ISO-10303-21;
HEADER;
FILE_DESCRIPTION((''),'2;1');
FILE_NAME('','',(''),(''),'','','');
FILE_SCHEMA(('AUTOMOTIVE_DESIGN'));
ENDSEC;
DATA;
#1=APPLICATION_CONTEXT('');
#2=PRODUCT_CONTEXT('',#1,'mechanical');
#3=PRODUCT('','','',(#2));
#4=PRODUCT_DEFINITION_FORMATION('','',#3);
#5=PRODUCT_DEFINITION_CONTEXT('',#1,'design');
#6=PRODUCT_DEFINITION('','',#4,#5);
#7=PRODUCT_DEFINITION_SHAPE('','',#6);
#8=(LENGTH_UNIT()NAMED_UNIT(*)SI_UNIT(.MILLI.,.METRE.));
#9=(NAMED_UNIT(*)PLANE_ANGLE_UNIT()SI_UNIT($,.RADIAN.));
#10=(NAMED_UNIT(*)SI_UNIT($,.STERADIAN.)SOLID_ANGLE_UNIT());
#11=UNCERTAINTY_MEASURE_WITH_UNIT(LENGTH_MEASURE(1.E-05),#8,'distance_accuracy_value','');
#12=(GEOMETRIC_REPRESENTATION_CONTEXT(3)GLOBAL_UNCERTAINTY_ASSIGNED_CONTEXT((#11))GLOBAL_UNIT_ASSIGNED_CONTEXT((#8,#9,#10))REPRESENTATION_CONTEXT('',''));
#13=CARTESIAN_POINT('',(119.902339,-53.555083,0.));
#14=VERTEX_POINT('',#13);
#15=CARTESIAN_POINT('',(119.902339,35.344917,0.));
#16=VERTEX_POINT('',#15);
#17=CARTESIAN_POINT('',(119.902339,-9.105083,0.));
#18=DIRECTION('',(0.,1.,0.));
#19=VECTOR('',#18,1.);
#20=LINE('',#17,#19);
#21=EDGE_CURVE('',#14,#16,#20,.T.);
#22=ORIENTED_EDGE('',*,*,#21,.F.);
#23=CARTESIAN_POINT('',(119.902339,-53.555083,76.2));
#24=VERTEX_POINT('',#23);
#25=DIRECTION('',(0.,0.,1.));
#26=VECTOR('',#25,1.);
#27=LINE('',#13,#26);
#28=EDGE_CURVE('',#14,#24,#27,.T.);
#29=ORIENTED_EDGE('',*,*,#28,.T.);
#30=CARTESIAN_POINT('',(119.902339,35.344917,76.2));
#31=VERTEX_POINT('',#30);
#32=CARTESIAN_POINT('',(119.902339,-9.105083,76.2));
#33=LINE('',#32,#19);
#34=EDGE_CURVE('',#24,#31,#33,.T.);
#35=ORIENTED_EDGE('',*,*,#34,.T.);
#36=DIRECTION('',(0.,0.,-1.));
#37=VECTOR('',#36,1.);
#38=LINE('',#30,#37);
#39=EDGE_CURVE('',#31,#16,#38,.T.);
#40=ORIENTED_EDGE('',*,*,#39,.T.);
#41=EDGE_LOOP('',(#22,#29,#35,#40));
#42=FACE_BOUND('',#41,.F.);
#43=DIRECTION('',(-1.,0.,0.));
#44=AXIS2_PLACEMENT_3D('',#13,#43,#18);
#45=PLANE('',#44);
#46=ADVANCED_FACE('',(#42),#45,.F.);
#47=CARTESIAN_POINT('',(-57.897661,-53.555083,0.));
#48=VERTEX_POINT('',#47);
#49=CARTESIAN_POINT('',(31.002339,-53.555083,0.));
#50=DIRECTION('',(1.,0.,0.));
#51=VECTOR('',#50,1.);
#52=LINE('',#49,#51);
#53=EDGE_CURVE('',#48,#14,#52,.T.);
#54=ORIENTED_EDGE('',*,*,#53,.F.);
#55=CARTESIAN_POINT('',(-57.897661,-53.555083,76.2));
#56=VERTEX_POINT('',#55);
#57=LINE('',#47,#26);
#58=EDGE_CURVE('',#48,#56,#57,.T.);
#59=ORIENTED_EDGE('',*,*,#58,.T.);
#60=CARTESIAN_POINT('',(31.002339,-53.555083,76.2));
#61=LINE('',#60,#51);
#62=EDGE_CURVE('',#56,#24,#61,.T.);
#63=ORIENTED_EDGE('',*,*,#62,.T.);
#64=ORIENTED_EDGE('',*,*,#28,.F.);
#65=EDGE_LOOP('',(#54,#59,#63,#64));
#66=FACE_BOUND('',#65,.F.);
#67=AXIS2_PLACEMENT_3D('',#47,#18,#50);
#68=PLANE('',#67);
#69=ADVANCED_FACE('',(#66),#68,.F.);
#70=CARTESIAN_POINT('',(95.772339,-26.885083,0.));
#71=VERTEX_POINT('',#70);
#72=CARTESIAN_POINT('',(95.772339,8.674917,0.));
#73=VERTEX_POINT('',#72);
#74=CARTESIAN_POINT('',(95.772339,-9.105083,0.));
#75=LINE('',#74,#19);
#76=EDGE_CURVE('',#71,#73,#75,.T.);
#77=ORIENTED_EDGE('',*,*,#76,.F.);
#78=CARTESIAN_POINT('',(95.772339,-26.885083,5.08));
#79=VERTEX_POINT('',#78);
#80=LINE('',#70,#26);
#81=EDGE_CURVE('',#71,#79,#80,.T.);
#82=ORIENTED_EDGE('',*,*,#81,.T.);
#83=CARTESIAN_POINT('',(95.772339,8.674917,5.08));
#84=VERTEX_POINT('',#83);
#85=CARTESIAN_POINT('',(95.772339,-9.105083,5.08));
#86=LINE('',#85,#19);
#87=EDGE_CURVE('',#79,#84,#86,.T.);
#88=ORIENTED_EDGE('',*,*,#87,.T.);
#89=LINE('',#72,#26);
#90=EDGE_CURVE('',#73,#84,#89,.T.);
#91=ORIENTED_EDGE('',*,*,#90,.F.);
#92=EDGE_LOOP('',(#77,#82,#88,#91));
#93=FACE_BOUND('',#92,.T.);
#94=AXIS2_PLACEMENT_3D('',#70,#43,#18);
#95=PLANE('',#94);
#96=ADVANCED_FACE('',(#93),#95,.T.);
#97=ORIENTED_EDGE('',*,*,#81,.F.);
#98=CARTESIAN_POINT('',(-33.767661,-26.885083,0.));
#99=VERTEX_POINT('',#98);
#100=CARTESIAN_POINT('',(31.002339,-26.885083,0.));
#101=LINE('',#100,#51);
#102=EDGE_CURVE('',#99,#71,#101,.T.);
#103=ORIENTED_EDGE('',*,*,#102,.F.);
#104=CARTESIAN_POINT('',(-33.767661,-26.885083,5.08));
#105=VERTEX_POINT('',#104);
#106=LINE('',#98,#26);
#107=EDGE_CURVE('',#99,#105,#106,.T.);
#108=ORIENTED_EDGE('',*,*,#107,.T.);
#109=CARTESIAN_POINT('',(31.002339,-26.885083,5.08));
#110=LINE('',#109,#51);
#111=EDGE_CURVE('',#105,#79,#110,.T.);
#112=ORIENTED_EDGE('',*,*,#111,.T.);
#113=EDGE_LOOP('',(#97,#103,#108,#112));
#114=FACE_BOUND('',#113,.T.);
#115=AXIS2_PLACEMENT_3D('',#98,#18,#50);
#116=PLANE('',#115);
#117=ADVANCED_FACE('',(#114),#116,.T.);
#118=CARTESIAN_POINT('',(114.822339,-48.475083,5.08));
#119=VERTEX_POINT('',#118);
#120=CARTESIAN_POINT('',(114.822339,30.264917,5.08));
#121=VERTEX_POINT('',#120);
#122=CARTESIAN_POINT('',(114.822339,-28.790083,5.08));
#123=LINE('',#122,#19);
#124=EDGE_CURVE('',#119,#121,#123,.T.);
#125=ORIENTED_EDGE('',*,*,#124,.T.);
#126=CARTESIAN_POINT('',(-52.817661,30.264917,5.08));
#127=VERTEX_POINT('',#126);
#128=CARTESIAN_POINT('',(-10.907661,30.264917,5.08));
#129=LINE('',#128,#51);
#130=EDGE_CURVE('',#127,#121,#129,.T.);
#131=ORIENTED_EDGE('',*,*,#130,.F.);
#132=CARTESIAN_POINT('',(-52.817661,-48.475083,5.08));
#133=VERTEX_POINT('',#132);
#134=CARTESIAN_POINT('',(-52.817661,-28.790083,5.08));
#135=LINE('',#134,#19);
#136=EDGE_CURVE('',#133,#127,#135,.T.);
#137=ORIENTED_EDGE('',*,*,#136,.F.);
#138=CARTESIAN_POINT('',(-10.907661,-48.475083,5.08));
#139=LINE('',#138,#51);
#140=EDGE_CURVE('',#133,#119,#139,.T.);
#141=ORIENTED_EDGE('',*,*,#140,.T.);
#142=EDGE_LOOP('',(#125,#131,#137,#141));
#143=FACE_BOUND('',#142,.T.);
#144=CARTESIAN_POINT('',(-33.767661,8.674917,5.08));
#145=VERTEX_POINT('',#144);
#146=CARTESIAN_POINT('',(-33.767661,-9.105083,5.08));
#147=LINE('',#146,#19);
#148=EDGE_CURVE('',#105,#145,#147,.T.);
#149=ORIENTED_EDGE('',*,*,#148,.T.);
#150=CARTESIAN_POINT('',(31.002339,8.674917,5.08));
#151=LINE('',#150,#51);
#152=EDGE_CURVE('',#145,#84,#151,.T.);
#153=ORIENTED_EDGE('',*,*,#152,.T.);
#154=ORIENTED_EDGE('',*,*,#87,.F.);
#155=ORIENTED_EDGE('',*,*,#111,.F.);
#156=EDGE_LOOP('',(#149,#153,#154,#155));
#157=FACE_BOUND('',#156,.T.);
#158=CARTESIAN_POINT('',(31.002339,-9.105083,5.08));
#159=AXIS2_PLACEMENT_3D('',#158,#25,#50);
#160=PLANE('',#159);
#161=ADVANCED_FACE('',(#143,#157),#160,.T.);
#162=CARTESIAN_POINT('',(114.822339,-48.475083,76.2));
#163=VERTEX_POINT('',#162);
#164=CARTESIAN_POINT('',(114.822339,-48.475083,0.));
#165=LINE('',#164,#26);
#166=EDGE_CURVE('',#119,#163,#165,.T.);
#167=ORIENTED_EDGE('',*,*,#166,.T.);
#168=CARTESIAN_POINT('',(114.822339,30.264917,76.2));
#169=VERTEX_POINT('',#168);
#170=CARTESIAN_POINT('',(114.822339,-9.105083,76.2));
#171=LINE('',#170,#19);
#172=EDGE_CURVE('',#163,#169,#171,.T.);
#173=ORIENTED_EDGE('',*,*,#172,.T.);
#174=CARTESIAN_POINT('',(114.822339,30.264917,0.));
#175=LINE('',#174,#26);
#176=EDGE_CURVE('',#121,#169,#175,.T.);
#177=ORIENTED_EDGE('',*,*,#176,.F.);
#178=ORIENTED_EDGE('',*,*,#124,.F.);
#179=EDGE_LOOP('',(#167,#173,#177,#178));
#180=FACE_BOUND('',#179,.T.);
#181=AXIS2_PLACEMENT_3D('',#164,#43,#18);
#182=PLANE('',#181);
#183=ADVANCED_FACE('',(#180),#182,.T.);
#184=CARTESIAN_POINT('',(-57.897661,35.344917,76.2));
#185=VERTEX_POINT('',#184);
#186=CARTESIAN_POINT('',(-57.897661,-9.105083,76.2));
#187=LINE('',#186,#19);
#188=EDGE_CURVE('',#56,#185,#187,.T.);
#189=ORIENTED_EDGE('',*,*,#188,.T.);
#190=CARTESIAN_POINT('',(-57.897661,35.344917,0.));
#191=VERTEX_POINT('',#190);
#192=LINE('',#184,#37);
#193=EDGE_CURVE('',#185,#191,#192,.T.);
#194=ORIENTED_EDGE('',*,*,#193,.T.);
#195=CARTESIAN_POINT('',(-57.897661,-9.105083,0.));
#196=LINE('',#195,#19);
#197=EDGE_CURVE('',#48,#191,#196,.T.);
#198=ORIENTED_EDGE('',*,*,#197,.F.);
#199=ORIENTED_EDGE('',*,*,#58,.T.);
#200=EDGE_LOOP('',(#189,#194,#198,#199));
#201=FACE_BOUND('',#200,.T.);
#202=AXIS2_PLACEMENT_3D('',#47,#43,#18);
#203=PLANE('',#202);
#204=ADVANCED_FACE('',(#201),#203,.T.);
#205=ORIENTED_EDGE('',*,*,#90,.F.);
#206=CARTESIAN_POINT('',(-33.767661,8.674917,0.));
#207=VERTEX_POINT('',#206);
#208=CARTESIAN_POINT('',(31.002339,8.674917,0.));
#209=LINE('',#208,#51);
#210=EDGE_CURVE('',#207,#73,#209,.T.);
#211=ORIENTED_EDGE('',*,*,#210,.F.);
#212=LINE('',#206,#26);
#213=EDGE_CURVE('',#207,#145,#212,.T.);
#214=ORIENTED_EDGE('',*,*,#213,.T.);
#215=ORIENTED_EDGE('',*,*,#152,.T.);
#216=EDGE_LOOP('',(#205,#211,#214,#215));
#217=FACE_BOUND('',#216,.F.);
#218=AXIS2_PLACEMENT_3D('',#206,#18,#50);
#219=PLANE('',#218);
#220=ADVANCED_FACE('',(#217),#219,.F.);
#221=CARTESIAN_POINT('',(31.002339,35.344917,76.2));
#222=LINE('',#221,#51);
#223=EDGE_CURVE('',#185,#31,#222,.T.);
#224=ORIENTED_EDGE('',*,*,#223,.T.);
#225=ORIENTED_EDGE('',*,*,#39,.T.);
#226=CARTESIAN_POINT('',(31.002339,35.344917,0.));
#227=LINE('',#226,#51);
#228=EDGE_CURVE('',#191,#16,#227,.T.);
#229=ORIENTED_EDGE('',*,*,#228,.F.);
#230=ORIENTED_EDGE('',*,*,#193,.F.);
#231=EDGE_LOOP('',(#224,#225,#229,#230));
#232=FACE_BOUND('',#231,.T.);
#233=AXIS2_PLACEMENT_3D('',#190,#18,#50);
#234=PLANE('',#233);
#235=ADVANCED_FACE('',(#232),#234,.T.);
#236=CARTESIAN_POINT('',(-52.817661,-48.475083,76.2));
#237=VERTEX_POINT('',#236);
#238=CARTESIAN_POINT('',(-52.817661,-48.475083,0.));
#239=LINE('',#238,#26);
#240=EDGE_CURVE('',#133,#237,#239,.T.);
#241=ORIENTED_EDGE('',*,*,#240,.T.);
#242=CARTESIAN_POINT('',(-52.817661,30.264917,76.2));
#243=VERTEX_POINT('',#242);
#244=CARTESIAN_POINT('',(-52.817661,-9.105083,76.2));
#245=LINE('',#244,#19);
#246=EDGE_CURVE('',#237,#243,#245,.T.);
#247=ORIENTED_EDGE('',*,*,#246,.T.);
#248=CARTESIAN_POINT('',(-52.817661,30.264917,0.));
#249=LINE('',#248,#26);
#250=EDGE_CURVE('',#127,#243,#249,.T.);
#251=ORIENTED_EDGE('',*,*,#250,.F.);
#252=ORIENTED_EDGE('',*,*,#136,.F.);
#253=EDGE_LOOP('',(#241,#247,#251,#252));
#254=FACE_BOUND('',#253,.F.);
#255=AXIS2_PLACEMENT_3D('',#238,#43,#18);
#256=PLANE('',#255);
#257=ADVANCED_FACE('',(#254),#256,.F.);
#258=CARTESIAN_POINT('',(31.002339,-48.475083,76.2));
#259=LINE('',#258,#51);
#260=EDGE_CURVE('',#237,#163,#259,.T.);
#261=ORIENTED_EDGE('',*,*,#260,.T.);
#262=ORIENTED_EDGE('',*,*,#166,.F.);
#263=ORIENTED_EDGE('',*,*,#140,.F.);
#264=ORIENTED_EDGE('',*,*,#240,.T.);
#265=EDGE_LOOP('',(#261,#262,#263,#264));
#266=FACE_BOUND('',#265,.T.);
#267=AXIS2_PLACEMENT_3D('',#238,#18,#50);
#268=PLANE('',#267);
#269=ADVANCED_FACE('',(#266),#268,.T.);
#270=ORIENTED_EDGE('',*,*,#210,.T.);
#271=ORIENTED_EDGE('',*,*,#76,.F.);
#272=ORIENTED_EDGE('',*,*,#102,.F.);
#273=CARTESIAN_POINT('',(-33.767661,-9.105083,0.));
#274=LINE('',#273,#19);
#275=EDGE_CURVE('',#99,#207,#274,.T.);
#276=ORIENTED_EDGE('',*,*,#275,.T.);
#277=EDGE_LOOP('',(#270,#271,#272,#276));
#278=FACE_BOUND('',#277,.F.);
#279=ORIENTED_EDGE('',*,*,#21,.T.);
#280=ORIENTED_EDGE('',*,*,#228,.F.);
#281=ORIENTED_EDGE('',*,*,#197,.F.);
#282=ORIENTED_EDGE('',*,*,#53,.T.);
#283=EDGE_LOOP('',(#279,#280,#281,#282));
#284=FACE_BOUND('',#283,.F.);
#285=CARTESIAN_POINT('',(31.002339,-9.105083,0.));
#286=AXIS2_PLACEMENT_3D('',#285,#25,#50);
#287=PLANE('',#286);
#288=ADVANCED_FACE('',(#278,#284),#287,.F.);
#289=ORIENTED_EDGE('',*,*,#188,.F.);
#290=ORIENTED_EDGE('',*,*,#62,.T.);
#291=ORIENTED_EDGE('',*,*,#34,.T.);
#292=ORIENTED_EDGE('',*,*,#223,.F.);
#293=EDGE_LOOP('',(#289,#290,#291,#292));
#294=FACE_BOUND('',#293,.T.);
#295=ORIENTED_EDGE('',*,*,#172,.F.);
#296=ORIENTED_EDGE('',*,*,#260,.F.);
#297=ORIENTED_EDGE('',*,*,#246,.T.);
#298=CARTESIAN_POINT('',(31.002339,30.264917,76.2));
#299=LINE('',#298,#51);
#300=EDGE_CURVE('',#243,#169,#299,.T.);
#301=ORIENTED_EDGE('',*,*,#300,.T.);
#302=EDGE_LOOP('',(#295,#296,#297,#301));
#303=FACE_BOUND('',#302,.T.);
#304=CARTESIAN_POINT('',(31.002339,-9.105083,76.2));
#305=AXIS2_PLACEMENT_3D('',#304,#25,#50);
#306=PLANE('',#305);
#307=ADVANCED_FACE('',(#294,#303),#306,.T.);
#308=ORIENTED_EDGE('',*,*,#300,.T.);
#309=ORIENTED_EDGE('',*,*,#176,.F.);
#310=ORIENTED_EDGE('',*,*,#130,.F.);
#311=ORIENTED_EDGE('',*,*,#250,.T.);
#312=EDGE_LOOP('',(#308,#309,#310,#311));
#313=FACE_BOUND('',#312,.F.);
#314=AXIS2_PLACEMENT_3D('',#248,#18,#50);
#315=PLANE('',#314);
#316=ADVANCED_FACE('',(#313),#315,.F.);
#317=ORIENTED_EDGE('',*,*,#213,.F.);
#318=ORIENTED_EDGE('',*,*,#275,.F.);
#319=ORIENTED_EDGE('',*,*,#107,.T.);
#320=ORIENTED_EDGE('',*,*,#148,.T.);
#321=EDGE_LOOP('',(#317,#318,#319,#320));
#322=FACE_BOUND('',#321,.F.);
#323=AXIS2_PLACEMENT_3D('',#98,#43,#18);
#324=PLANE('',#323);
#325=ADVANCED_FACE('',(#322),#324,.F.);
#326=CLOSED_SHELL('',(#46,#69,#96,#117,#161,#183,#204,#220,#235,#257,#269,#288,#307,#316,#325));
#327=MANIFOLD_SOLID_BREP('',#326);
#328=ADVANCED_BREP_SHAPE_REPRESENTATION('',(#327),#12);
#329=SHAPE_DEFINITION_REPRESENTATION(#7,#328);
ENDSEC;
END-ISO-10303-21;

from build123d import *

# Parameters (mm, degrees)
F0_W     = 177.8
F0_H     = 88.9
F0_W_2   = 167.64
F0_H_2   = 78.74
F1_DEPTH = 76.2
F0_W_3   = 129.54
F0_H_3   = 35.56
F2_DEPTH = 5.08


with BuildPart() as f1:
    # F0 (on Top) → F1 (new body)
    with BuildSketch(Plane.XY):
        with Locations((31.002339, -9.105083)):
            Rectangle(F0_W, F0_H)
        with Locations((31.002339, -9.105083)):
            Rectangle(F0_W_2, F0_H_2, mode=Mode.SUBTRACT)
    extrude(amount=F1_DEPTH)

    # F0 (on Top) → F2 (join)
    with BuildSketch(Plane.XY):
        with Locations((31.002339, -9.105083)):
            Rectangle(F0_W, F0_H)
        with Locations((31.002339, -9.105083)):
            Rectangle(F0_W_2, F0_H_2, mode=Mode.SUBTRACT)
        with Locations((31.002339, -9.105083)):
            Rectangle(F0_W_2, F0_H_2)
        with Locations((31.002339, -9.105083)):
            Rectangle(F0_W_3, F0_H_3, mode=Mode.SUBTRACT)
    extrude(amount=F2_DEPTH)


solid = f1.part
